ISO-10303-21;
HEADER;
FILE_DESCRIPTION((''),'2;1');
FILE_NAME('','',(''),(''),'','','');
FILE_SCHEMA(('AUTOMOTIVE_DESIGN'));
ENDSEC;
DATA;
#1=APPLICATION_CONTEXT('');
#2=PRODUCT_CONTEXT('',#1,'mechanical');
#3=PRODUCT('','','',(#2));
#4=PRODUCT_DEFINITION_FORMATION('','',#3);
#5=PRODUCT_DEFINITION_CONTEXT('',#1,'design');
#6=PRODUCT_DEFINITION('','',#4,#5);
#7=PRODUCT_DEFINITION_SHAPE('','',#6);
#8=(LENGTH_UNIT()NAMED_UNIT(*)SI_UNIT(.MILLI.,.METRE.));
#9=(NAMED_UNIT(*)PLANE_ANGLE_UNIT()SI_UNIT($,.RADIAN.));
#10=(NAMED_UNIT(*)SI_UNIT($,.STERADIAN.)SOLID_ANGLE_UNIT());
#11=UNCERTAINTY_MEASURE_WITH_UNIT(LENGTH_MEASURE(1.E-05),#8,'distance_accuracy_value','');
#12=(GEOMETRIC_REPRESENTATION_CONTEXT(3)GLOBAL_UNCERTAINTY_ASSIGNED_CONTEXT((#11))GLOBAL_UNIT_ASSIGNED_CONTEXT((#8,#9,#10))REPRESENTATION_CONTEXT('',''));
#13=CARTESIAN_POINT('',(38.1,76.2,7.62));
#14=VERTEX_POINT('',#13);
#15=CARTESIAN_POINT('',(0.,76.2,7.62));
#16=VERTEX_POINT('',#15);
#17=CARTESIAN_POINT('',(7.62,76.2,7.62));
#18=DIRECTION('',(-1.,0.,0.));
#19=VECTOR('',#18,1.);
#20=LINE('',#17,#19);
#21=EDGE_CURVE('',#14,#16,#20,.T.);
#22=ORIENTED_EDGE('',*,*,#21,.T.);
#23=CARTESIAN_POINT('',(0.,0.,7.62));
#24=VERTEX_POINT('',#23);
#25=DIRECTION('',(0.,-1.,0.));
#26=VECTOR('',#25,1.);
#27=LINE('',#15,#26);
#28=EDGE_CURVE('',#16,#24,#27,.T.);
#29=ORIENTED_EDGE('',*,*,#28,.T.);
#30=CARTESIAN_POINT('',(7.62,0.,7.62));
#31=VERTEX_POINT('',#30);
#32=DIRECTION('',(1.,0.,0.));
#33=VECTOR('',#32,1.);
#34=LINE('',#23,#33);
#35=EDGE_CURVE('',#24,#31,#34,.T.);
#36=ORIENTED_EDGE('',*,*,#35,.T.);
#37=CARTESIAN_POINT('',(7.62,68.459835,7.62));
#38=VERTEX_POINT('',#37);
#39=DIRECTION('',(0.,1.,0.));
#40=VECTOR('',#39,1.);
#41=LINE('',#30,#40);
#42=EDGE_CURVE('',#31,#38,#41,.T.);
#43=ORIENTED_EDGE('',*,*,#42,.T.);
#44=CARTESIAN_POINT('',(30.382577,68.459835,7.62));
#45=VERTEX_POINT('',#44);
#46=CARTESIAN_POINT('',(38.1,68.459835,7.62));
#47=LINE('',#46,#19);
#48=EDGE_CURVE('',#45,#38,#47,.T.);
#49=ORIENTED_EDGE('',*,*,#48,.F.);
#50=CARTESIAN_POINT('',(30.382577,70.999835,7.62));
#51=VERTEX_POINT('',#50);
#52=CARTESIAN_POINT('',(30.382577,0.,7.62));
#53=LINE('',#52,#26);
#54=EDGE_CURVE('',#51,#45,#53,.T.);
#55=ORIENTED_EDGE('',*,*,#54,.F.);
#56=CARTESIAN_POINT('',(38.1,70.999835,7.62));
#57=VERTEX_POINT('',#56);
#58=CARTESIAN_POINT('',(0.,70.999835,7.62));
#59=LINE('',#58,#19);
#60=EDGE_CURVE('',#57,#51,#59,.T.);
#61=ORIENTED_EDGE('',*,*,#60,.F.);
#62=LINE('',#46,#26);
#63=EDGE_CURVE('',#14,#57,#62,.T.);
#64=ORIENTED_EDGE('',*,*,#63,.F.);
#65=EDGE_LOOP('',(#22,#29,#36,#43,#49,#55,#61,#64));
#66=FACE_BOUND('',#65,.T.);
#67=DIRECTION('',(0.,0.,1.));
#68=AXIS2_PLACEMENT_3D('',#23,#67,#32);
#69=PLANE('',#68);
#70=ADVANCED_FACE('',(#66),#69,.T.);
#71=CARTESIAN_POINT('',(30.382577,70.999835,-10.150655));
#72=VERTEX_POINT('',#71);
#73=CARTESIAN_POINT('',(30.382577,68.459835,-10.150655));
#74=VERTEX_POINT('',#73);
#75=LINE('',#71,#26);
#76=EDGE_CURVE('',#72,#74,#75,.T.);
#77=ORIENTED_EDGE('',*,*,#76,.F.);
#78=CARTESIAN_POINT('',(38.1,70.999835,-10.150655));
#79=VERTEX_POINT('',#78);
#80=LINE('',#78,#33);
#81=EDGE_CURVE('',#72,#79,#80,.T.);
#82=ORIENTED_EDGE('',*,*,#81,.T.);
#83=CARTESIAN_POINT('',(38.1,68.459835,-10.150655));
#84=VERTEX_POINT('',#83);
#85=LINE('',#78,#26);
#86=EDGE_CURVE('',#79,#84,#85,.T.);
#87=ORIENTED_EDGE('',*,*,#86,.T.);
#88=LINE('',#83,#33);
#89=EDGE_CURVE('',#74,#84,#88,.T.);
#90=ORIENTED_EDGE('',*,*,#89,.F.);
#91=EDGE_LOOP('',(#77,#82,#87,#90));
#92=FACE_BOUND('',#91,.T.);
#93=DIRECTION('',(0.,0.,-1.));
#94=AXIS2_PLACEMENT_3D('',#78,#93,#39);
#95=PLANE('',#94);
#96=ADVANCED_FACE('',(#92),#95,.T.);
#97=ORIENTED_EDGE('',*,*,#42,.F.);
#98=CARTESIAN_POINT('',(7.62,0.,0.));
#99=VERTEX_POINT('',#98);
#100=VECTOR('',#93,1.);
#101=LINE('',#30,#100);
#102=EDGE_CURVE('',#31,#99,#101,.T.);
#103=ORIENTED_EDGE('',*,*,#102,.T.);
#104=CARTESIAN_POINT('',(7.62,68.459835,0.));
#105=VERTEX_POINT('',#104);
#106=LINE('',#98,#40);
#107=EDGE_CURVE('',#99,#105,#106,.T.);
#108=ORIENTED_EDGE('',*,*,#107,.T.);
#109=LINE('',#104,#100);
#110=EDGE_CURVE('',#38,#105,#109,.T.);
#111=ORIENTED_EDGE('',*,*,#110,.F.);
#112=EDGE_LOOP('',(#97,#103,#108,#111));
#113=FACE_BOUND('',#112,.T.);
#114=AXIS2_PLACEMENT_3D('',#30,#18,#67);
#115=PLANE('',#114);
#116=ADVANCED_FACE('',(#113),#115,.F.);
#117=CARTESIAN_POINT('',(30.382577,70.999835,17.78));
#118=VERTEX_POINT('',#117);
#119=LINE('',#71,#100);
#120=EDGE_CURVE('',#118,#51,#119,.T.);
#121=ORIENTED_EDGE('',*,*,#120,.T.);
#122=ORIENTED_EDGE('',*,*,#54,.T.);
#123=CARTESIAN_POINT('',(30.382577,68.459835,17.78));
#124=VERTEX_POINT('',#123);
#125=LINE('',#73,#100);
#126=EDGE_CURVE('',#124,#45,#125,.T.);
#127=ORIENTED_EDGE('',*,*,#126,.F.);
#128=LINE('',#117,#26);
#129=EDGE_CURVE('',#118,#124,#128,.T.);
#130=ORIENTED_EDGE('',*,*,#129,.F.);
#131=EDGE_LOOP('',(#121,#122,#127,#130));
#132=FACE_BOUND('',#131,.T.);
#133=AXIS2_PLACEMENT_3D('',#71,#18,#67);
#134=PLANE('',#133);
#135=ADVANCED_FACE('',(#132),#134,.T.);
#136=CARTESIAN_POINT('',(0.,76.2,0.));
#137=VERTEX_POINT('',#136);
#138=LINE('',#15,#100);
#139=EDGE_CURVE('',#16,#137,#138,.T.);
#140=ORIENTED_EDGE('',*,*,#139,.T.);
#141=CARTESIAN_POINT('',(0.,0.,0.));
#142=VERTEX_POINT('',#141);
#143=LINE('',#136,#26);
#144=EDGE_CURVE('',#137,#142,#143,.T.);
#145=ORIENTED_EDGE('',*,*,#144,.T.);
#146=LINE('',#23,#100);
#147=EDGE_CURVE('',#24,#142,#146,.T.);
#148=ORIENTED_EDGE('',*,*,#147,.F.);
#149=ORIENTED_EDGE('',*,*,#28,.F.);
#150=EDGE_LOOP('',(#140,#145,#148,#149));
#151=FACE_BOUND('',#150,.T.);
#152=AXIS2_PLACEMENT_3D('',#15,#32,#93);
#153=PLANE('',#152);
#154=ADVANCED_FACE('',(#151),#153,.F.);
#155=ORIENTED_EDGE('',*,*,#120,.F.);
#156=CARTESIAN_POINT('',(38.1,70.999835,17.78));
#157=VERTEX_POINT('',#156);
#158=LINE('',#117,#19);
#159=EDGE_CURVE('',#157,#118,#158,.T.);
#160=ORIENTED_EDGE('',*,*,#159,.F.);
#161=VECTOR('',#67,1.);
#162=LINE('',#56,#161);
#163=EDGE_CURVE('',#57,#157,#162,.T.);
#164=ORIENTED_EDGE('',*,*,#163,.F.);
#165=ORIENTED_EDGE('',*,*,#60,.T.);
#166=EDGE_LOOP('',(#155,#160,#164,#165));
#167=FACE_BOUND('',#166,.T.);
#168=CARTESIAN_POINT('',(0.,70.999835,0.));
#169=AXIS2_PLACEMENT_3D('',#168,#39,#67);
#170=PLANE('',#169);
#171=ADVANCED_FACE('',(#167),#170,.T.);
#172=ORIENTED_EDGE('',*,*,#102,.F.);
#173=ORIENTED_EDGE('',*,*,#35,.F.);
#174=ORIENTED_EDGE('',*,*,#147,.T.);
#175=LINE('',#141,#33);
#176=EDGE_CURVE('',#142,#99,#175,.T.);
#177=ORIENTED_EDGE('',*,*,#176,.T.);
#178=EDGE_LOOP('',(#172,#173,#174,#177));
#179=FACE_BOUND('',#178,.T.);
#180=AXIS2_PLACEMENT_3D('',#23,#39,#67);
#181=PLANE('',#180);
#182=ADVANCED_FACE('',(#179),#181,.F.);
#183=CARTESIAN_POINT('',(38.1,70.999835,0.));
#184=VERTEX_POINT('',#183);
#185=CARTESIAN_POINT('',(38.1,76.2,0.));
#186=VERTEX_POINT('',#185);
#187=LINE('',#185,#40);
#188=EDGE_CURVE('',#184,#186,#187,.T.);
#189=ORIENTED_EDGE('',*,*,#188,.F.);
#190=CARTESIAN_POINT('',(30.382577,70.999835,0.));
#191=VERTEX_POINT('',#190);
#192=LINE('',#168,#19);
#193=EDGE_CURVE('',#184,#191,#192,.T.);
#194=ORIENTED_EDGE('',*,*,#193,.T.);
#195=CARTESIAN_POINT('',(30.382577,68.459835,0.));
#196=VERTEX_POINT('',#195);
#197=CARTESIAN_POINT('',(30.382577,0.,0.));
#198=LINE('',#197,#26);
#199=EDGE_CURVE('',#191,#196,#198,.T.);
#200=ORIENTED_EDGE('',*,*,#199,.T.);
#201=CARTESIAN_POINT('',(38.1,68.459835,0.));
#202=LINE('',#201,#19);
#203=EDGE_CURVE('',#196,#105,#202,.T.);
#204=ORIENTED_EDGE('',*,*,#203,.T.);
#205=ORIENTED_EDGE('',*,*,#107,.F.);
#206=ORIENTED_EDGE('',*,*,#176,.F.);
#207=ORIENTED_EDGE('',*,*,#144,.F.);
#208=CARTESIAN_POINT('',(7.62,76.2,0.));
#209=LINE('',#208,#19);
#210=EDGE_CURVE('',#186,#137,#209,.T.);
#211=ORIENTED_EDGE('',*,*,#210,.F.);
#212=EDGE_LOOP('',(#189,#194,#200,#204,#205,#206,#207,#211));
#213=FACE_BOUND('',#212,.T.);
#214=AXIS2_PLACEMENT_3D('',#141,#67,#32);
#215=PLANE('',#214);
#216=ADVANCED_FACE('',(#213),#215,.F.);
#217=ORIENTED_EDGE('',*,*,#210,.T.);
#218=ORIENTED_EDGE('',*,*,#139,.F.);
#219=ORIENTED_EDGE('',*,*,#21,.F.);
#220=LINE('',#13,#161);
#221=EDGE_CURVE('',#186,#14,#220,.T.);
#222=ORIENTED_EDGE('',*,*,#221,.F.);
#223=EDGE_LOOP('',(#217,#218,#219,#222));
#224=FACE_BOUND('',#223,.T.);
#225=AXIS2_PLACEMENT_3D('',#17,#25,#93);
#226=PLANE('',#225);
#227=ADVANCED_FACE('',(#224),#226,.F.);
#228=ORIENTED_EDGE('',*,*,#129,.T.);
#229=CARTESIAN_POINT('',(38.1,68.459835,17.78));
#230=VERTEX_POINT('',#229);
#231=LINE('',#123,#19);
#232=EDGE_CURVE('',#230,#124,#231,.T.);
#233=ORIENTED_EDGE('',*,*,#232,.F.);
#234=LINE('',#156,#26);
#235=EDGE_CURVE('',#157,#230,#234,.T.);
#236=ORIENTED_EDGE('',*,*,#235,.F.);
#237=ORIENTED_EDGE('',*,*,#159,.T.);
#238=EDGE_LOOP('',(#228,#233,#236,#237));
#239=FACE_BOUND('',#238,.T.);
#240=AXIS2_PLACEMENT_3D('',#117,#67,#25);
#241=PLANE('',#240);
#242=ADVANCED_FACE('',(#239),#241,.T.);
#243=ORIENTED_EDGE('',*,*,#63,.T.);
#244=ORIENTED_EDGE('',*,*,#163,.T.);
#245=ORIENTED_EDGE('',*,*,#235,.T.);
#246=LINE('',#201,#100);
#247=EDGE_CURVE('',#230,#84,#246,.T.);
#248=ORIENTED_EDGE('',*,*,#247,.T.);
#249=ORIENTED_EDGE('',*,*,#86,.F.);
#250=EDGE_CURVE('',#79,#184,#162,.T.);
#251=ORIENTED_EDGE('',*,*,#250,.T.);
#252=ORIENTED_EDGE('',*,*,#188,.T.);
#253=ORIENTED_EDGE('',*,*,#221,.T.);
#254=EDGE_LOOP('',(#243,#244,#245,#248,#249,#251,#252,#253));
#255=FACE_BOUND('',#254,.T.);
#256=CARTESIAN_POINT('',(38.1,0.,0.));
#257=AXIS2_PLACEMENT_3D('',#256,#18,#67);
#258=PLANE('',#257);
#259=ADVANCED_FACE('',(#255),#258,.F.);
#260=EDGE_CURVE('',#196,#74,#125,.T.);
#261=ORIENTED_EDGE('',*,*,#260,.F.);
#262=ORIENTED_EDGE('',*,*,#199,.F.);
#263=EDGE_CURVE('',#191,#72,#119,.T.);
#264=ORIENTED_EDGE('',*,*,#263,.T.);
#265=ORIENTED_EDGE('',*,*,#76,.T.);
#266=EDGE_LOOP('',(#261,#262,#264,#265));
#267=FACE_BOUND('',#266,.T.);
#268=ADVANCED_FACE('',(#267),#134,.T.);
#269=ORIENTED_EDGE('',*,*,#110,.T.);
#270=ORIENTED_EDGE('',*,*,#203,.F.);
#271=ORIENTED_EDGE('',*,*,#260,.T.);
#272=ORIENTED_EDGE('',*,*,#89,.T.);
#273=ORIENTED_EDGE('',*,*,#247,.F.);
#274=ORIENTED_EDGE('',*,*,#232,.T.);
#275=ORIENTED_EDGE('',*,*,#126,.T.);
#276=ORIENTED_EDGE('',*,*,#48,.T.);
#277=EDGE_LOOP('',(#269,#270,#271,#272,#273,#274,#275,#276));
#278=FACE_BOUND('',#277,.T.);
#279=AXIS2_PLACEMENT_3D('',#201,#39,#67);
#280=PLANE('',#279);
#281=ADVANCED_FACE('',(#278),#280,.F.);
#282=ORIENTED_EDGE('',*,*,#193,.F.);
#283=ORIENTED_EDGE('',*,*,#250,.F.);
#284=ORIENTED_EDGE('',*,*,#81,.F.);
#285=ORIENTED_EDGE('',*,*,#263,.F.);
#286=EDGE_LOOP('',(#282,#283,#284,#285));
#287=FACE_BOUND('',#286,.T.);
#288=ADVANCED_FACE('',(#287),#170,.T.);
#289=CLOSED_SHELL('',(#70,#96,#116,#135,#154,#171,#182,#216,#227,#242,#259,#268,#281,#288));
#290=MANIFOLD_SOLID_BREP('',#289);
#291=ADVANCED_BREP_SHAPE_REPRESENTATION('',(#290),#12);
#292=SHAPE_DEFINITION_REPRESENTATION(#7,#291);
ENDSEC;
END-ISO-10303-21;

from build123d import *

# Parameters (mm, degrees)
SKETCH1_W           = 7.62
SKETCH1_H           = 76.2
BOSS_EXTRUDE1_DEPTH = 7.62
SKETCH3_W           = 7.62
SKETCH3_H           = 7.740164582
BOSS_EXTRUDE3_DEPTH = 30.48
BOSS_EXTRUDE4_DEPTH = 2.54


with BuildPart() as part:
    # Sketch1 → Boss-Extrude1 (new body)
    with BuildSketch(Plane.XY):
        with Locations((3.81, 38.1)):
            Rectangle(SKETCH1_W, SKETCH1_H)
    extrude(amount=BOSS_EXTRUDE1_DEPTH)

    # Sketch3 → Boss-Extrude3 (add)
    with BuildSketch(Plane(origin=(7.62, 0, 0), x_dir=(0, 0, -1), z_dir=(1, 0, 0))):
        with Locations((-3.81, 72.329917709)):
            Rectangle(SKETCH3_W, SKETCH3_H)
    extrude(amount=BOSS_EXTRUDE3_DEPTH)

    # Sketch6 → Boss-Extrude4 (add)
    with BuildSketch(Plane(origin=(0, 68.459835418, 0), x_dir=(-1, 0, 0), z_dir=(0, -1, 0))):
        Polygon((-38.1, -7.62), (-38.1, -17.78), (-30.382577063, -17.78), (-30.382577063, 10.150655404), (-38.1, 10.150655404), (-38.1, 0), align=None)
    extrude(amount=-BOSS_EXTRUDE4_DEPTH)


solid = part.part
